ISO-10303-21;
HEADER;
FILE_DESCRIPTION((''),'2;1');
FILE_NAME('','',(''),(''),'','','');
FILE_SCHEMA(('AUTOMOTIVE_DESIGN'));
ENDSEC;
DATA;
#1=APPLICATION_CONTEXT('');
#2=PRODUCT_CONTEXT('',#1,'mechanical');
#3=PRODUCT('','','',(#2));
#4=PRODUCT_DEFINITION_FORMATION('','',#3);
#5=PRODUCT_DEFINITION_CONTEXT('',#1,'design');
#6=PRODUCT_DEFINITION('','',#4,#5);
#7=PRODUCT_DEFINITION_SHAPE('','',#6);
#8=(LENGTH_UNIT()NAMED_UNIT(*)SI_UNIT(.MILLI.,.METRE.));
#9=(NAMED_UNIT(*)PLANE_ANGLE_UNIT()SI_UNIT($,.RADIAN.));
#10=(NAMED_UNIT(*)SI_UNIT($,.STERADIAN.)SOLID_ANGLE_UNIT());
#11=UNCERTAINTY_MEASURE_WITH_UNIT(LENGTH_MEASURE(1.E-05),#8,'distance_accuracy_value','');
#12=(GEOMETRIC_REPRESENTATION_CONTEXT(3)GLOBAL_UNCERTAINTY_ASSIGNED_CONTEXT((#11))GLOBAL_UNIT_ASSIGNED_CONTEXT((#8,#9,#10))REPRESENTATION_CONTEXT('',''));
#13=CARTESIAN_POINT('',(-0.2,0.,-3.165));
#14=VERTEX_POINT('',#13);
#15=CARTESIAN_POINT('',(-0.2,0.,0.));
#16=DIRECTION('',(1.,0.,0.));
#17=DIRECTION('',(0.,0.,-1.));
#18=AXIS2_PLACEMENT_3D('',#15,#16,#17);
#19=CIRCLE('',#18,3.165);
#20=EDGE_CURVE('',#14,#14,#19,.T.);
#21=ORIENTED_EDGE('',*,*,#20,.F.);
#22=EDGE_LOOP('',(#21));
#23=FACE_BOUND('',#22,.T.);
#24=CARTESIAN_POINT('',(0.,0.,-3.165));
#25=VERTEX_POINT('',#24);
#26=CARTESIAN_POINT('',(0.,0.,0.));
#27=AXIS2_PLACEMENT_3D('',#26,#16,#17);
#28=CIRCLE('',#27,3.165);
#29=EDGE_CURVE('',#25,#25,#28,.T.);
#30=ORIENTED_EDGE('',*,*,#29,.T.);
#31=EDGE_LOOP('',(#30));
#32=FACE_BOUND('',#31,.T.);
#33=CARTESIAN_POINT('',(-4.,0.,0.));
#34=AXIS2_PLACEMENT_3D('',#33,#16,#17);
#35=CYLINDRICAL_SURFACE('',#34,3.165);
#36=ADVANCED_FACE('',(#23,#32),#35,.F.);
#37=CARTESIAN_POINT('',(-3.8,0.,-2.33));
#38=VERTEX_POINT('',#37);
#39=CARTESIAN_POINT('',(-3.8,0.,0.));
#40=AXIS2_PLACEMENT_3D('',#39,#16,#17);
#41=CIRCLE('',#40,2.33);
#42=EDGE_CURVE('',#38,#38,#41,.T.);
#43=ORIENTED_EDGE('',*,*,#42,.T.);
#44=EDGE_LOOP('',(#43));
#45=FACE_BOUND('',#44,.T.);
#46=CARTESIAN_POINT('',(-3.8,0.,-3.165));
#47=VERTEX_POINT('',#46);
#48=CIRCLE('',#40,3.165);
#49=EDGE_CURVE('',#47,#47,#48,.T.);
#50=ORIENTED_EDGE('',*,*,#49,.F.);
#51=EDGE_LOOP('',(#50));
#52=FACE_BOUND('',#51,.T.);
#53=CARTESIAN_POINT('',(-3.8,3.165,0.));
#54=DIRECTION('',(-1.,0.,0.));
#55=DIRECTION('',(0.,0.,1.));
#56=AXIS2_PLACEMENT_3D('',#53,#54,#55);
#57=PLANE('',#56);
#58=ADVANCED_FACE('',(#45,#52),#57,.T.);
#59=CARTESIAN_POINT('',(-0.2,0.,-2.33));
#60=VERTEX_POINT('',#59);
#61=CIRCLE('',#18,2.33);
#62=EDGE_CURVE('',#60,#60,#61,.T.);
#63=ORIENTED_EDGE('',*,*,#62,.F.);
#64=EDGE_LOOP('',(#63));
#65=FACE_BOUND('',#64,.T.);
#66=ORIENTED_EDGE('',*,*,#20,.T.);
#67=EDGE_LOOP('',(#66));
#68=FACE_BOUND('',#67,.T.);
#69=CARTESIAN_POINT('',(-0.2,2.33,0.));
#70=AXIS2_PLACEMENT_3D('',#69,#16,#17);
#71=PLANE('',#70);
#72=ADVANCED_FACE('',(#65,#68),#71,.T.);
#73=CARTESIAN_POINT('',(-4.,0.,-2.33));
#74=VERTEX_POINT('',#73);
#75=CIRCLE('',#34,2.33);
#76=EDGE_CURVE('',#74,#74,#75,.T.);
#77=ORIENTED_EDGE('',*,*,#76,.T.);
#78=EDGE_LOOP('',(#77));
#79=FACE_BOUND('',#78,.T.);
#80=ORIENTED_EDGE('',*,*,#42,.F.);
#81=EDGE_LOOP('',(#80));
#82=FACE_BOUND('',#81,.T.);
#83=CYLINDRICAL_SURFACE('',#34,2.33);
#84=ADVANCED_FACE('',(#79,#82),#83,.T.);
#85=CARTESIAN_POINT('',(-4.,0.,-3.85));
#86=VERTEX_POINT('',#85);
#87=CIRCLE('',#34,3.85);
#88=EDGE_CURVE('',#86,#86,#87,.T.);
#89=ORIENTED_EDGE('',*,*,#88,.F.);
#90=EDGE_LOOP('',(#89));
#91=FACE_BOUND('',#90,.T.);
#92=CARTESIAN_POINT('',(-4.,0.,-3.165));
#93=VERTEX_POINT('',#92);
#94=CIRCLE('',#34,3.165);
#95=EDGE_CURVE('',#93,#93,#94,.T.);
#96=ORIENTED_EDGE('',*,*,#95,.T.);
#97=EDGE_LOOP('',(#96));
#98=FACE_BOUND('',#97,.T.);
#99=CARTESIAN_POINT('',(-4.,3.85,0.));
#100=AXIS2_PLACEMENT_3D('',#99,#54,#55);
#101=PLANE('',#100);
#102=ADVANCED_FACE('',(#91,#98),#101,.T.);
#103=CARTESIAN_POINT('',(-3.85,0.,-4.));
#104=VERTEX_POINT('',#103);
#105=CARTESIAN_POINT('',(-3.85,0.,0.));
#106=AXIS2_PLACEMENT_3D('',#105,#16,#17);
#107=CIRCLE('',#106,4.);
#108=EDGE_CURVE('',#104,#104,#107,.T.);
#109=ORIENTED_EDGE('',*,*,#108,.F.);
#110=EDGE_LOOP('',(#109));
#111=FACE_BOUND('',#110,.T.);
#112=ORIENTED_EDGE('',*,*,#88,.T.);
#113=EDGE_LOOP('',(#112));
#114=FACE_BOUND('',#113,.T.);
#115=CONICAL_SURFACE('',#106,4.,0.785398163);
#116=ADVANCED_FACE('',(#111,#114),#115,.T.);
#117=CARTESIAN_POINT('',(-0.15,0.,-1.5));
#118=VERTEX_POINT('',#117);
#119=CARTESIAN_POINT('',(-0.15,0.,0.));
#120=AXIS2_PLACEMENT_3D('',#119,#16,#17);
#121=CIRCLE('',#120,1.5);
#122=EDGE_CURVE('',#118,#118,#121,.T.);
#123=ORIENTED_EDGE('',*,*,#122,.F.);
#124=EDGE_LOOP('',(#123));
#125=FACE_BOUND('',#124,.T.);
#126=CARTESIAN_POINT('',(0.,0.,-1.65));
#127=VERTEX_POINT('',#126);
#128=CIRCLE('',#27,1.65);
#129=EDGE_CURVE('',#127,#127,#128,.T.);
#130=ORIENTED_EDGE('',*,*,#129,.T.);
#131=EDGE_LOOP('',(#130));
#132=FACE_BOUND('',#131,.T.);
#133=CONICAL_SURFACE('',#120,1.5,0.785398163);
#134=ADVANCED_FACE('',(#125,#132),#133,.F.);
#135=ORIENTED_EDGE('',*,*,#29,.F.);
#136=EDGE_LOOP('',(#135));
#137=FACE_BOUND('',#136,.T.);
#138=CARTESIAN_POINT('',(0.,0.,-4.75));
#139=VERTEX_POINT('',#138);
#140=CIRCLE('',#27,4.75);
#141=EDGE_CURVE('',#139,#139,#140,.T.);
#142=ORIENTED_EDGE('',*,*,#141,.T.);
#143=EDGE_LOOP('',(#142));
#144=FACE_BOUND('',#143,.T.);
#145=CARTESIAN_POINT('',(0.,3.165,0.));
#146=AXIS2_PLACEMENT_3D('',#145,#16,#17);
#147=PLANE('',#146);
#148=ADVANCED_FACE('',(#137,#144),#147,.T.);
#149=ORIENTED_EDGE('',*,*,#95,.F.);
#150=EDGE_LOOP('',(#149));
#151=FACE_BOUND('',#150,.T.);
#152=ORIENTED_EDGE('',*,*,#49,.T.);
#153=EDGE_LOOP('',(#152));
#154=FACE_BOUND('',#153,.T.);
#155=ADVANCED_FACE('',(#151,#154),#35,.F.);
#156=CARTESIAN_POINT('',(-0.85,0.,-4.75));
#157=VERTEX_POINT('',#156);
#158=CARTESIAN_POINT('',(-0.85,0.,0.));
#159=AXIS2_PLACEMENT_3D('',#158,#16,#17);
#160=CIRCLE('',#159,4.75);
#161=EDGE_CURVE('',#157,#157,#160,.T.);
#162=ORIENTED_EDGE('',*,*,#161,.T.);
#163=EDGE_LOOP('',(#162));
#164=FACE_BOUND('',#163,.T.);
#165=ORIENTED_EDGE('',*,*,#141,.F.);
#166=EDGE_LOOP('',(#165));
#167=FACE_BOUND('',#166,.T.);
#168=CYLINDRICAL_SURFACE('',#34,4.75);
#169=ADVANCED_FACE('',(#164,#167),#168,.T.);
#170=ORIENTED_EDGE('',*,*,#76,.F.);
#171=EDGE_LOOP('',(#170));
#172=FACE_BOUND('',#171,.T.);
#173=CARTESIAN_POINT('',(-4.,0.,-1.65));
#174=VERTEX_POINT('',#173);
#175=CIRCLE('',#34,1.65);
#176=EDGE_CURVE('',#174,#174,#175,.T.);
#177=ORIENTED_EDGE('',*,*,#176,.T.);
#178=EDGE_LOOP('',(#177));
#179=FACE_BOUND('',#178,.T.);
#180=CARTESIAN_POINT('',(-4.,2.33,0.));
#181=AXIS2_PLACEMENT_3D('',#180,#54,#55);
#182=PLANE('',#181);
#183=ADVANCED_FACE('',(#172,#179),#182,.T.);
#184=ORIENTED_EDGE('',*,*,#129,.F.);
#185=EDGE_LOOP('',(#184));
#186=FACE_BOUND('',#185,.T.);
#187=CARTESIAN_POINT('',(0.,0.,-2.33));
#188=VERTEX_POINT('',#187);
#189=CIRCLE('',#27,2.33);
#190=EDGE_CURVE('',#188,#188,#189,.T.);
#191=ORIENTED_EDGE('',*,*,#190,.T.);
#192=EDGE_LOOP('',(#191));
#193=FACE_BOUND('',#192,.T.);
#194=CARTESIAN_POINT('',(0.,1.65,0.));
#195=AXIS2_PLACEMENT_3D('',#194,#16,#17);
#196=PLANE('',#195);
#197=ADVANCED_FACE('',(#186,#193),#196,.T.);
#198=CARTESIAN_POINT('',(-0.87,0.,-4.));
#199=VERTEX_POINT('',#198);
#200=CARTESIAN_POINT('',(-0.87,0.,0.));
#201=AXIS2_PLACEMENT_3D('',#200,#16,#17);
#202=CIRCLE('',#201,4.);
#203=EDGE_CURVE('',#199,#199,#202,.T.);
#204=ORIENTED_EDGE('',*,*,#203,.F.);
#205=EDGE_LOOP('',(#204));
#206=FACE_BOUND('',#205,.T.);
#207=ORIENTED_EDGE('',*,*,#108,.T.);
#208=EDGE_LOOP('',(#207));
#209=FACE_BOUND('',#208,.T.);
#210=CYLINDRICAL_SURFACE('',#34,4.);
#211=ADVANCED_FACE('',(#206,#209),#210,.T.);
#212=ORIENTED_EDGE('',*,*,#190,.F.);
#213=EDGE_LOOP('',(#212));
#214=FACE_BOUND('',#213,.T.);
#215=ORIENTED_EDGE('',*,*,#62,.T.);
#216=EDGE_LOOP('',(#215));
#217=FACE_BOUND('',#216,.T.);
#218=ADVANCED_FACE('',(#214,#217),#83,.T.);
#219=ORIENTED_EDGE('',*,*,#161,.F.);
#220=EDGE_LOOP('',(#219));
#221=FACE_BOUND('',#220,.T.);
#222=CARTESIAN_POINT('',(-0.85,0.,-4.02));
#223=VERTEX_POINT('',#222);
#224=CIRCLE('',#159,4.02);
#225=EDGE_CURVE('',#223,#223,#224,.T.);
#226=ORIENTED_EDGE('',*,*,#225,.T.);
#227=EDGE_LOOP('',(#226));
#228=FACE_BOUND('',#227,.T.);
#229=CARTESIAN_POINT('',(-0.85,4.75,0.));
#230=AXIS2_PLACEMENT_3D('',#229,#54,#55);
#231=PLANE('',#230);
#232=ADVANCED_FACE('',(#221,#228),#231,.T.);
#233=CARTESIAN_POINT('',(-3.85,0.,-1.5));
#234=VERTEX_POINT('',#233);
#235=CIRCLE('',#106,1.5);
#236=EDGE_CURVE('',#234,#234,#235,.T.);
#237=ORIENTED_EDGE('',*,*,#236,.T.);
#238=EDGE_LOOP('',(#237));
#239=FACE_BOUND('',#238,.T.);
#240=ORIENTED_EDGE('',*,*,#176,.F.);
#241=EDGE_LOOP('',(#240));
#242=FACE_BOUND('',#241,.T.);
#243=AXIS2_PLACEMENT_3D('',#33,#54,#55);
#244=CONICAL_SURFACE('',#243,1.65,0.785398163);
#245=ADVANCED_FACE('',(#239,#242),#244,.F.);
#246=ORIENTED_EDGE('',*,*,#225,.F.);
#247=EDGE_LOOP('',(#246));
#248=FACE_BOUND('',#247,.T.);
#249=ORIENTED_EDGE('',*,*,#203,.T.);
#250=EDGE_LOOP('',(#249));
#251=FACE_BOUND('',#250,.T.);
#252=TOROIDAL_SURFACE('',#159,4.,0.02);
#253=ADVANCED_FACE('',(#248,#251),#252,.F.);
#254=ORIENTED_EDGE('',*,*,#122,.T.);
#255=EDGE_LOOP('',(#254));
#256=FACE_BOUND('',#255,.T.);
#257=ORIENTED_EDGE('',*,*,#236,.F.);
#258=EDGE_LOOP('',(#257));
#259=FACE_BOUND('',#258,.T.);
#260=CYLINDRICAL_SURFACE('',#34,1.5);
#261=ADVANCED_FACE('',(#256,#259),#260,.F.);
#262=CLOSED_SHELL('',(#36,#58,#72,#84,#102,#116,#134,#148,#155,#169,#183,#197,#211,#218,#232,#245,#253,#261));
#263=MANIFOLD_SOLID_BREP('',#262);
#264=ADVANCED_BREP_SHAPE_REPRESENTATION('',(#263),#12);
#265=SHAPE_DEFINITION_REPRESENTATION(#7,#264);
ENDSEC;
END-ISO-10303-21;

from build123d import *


with BuildPart() as part:
    # Schizzo1 → Rivoluzione1 (revolve)
    with BuildSketch(Plane.XY):
        with BuildLine():
            Line((-3.8, 3.165), (-3.8, 2.33))
            Line((-3.8, 2.33), (-4, 2.33))
            Line((-4, 2.33), (-4, 1.65))
            Line((-4, 1.65), (-3.85, 1.5))
            Line((-3.85, 1.5), (-0.15, 1.5))
            Line((-0.15, 1.5), (0, 1.65))
            Line((0, 1.65), (0, 2.33))
            Line((0, 2.33), (-0.2, 2.33))
            Line((-0.2, 2.33), (-0.2, 3.165))
            Line((-0.2, 3.165), (0, 3.165))
            Line((0, 3.165), (0, 4.75))
            Line((0, 4.75), (-0.85, 4.75))
            Line((-0.85, 4.75), (-0.85, 4.02))
            ThreePointArc((-0.85, 4.02), (-0.835857864, 3.985857864), (-0.87, 4))
            Line((-0.87, 4), (-3.85, 4))
            Line((-3.85, 4), (-4, 3.85))
            Line((-4, 3.85), (-4, 3.165))
            Line((-4, 3.165), (-3.8, 3.165))
        make_face()
    revolve(axis=Axis((-4, 0, 0), (1, 0, 0)))


solid = part.part
